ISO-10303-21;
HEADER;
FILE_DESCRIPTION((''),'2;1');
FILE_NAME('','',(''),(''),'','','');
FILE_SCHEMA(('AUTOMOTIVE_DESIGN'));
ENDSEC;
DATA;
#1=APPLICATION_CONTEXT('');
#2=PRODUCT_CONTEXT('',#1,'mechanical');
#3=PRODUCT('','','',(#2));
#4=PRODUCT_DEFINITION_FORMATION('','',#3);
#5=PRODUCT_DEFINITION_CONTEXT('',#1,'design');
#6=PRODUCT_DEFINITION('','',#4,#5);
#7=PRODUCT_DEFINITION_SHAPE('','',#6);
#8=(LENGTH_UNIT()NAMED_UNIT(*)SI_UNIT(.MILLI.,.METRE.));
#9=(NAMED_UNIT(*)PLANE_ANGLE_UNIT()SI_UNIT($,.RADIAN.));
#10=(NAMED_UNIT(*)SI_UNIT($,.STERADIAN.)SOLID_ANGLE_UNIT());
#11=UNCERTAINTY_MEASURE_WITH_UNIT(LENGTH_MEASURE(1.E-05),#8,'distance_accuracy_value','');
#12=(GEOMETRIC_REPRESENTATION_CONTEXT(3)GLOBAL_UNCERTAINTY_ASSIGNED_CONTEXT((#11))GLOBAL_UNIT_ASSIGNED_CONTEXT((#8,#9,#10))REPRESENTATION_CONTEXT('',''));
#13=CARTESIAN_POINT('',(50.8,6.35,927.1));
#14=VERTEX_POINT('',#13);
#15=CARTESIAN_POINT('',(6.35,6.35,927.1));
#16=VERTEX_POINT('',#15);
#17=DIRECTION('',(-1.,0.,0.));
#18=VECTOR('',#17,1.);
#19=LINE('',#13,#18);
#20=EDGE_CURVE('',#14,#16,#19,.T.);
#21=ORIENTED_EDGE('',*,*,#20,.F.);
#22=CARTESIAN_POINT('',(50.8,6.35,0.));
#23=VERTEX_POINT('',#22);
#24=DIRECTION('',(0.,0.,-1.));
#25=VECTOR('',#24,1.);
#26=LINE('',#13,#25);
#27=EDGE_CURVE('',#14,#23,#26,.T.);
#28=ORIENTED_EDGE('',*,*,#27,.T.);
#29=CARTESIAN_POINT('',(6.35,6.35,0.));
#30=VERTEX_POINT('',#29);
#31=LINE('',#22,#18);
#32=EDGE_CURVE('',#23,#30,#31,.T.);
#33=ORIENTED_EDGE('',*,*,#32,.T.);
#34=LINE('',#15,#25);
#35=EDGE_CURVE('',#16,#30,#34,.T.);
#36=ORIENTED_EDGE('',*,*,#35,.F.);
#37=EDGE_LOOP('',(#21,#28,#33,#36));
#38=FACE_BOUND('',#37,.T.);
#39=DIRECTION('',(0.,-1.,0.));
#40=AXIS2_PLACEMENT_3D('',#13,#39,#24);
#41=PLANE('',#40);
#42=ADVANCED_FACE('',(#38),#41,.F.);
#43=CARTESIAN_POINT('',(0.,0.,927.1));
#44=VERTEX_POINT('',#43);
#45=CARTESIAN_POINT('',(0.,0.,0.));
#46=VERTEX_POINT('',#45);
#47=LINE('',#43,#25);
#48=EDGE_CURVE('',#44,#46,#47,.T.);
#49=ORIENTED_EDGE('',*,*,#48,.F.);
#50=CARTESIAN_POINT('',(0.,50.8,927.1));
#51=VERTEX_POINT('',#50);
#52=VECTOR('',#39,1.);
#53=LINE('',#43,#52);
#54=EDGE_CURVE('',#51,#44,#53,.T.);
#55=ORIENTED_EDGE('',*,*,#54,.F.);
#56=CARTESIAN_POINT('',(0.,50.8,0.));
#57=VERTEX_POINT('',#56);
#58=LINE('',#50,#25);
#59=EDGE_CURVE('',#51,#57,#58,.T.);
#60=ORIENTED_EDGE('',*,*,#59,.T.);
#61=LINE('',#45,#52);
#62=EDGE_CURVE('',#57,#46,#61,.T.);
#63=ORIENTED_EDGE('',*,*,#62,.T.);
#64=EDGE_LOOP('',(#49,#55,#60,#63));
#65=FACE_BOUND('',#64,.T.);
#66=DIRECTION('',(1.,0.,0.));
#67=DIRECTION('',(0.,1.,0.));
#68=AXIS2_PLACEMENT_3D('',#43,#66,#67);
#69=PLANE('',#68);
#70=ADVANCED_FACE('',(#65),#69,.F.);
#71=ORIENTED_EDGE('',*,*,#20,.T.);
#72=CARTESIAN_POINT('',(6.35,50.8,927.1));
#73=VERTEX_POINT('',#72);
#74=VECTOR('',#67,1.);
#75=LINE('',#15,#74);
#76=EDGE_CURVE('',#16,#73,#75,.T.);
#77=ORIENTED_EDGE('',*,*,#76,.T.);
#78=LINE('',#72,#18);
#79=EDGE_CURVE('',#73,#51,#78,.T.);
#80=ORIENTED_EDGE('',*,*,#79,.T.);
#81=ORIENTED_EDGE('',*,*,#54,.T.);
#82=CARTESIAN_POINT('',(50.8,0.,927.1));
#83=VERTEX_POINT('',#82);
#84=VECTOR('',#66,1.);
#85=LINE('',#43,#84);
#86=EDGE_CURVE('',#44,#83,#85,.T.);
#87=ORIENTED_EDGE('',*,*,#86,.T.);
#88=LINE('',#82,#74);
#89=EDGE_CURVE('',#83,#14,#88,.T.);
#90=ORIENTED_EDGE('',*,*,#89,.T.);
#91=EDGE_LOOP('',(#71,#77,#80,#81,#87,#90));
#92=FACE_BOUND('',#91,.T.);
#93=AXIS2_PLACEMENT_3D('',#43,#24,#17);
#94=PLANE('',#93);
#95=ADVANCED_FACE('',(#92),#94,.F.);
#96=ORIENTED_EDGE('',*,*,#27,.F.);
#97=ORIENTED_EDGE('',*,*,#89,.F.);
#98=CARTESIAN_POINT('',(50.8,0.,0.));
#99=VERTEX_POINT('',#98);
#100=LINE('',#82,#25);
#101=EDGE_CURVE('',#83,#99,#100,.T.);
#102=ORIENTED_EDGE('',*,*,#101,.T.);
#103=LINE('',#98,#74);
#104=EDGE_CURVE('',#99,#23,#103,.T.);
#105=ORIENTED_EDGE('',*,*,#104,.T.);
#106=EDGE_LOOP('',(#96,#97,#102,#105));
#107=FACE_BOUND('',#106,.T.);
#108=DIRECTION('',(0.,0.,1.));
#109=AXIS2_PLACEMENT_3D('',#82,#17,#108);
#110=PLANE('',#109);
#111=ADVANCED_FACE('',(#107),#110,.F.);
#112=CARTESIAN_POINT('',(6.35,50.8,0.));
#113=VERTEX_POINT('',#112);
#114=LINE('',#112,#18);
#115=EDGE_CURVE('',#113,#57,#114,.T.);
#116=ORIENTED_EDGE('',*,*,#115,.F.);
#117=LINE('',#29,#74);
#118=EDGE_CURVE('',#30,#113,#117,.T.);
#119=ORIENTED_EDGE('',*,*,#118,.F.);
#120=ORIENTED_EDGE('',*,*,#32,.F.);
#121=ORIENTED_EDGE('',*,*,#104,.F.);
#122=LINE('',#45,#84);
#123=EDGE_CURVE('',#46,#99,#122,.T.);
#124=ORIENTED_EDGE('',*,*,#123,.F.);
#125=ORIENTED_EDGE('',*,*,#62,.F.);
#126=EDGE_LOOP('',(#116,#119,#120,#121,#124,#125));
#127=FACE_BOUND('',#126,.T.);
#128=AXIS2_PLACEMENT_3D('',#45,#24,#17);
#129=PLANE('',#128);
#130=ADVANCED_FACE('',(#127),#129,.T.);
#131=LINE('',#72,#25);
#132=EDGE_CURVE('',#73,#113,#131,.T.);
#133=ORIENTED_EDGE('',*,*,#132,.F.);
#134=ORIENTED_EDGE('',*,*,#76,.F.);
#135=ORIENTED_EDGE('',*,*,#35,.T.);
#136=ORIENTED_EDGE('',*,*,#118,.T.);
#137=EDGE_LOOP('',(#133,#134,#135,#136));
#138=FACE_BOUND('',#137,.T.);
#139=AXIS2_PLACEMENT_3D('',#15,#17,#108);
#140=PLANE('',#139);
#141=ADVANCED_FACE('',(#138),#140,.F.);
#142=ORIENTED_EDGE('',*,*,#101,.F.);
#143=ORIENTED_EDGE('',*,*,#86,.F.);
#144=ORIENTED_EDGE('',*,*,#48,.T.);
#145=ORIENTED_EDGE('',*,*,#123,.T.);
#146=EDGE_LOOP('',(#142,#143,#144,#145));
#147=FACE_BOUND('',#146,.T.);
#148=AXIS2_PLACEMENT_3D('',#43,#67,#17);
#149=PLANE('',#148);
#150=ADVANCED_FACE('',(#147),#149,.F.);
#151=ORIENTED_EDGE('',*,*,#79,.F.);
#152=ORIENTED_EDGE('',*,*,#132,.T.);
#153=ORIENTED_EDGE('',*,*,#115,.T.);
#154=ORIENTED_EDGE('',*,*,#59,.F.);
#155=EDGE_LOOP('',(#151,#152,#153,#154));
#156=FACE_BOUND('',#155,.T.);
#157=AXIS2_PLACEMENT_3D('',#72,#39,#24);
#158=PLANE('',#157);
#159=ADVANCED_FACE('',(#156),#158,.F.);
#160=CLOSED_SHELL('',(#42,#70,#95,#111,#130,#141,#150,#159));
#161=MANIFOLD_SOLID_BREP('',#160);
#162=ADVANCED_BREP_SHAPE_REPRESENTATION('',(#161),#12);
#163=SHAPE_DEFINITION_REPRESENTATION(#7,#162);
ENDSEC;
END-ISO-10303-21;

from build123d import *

# Parameters (mm, degrees)
BOSS_EXTRUDE1_DEPTH = 927.1


with BuildPart() as part:
    # Sketch1 → Boss-Extrude1 (new body)
    with BuildSketch(Plane.XY):
        Polygon((0, 0), (0, 50.8), (6.35, 50.8), (6.35, 6.35), (50.8, 6.35), (50.8, 0), align=None)
    extrude(amount=BOSS_EXTRUDE1_DEPTH)


solid = part.part
